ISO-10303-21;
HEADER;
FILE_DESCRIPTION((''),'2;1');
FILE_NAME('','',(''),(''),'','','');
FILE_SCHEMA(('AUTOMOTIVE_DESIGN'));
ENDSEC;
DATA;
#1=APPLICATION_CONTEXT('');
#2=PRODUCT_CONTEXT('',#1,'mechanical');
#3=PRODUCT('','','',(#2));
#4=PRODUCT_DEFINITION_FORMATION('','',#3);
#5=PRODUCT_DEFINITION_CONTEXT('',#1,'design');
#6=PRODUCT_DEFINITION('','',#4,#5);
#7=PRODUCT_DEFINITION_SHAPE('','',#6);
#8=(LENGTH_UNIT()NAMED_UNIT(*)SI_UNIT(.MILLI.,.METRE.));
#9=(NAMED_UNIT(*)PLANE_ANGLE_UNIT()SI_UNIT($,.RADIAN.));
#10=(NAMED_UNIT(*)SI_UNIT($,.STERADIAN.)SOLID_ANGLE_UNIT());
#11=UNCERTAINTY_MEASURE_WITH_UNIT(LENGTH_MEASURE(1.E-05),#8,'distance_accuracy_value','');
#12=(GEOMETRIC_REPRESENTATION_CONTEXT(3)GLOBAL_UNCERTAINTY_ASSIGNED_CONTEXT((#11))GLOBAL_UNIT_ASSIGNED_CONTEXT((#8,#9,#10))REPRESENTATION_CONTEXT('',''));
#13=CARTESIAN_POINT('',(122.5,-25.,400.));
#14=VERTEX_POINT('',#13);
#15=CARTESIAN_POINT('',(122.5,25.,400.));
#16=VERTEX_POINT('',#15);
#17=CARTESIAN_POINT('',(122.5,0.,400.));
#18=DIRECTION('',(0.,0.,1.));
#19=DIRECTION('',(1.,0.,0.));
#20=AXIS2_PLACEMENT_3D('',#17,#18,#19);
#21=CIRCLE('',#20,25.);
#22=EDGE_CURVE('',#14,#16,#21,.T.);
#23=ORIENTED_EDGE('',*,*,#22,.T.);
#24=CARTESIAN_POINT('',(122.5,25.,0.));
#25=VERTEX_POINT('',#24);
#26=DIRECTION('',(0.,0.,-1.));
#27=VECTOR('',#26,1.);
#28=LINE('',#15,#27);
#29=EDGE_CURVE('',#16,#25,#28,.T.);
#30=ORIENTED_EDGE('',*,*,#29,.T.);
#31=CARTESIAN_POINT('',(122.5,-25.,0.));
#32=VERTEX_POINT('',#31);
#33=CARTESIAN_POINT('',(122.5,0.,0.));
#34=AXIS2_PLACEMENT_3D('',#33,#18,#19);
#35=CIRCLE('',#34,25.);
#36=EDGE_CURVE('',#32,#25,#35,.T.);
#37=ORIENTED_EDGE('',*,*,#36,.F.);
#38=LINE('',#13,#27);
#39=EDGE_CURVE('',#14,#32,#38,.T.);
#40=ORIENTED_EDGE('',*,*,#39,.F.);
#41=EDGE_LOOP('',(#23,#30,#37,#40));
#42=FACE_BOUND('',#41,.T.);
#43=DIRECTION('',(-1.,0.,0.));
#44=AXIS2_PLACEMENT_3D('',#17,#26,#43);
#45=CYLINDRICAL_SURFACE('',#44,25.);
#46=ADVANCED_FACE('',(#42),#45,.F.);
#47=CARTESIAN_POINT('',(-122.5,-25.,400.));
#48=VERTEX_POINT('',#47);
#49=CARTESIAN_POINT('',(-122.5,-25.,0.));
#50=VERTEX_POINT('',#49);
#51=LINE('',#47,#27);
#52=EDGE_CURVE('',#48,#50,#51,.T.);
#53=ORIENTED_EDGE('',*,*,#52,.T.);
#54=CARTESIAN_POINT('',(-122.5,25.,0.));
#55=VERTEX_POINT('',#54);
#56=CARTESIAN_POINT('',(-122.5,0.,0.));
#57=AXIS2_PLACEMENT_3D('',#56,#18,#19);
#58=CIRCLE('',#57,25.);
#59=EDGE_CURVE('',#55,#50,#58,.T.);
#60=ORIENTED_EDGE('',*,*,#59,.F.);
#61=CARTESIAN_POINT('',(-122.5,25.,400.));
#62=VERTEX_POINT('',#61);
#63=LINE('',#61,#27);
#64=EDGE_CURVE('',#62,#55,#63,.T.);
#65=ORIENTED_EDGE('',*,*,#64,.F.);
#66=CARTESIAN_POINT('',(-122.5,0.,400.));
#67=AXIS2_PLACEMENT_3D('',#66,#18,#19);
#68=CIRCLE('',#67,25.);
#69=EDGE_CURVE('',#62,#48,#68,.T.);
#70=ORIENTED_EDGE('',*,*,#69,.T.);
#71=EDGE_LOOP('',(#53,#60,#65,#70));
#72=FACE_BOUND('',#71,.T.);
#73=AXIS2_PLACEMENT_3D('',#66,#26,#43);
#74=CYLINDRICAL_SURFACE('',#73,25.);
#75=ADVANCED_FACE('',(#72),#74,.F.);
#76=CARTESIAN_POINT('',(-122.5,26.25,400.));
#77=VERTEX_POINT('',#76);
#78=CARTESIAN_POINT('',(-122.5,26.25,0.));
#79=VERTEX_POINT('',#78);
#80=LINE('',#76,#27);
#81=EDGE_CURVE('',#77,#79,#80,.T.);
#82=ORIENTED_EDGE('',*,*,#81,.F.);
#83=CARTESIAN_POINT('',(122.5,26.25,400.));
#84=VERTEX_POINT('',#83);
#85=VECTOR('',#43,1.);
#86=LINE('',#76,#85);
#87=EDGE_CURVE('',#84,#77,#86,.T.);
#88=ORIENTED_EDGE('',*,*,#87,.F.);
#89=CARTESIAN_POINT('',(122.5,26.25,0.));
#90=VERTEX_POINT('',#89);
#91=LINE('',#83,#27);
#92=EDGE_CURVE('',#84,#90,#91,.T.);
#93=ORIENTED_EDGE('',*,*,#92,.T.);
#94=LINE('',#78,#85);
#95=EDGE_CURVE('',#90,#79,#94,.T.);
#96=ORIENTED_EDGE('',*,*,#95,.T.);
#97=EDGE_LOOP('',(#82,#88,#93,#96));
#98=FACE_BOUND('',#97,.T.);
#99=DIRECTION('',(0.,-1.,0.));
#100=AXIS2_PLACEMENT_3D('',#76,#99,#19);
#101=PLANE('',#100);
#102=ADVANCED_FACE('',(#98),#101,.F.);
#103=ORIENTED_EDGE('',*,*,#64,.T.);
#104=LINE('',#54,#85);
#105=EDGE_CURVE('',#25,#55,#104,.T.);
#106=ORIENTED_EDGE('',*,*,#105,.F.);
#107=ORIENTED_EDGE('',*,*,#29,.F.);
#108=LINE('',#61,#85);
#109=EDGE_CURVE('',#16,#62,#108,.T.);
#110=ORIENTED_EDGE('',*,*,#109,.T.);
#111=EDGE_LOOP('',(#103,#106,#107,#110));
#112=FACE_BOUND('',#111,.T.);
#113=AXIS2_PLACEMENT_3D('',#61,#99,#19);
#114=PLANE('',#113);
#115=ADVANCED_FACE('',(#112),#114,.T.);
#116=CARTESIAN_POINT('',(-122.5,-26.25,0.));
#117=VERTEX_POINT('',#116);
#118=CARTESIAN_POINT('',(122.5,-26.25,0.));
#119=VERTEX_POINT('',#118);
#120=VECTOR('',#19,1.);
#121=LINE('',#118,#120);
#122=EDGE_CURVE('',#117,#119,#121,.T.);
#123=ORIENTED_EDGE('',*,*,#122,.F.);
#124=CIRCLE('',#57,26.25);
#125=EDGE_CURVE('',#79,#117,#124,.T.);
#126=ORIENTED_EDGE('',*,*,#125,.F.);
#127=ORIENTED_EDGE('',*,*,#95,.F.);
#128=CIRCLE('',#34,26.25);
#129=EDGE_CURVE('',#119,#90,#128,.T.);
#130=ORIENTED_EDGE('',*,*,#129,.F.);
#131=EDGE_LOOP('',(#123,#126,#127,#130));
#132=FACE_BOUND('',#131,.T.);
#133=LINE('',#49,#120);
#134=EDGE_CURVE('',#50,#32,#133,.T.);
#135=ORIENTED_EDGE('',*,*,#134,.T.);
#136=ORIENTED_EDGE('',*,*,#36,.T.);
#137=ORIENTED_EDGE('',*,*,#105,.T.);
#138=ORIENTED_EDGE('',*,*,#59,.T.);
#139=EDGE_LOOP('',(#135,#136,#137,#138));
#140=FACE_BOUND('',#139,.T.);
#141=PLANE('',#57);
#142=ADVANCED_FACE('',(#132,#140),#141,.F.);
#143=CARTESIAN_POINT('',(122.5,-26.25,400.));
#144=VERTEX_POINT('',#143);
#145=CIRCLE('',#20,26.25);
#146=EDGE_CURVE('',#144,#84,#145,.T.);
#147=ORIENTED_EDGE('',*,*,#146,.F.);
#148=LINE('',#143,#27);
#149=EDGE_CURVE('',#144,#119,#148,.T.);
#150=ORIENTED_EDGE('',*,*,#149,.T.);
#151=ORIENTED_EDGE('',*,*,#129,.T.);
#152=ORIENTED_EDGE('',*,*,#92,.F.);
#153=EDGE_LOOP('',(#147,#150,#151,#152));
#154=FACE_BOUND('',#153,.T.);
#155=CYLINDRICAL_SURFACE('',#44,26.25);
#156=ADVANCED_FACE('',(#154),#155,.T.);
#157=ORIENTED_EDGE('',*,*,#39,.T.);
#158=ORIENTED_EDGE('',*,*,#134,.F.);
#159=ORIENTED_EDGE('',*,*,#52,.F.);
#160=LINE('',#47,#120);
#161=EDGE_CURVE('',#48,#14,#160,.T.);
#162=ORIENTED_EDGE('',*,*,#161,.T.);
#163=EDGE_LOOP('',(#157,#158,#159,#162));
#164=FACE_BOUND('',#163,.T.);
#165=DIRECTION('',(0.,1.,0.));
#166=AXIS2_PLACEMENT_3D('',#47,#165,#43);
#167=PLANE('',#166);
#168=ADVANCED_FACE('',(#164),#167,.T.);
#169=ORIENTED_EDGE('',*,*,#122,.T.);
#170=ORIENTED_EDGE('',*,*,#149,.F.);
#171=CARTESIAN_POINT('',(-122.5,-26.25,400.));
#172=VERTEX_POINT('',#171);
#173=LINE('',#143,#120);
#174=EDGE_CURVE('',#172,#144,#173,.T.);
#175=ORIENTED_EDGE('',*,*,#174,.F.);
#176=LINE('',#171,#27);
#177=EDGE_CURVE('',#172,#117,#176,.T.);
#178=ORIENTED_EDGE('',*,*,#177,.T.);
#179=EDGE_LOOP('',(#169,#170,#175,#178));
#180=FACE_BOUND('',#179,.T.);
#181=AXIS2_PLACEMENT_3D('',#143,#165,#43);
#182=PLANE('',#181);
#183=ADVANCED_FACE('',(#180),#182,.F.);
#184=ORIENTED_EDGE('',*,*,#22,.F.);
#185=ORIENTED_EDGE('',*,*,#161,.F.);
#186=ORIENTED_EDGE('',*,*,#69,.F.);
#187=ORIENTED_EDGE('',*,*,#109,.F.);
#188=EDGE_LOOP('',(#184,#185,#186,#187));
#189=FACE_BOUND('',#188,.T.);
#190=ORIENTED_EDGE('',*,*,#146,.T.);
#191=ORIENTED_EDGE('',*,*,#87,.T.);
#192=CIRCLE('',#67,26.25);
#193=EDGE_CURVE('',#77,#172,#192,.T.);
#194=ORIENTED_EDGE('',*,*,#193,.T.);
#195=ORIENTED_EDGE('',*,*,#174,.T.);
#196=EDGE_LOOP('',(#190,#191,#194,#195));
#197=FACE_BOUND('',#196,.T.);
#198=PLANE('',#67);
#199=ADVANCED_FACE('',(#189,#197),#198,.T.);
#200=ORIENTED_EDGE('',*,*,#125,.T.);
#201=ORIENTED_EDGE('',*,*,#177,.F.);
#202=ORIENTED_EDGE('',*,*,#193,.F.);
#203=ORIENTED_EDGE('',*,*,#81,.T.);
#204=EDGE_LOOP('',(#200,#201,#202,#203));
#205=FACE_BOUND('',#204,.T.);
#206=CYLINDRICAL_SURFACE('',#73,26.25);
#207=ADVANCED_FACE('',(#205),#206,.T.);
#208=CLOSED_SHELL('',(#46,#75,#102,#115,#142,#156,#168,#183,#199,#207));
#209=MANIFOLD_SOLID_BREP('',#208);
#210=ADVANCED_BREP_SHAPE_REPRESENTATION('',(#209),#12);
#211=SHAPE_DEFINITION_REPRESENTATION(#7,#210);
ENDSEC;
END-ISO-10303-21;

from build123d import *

# Parameters (mm, degrees)
SALIENTE_EXTRUIR2_DEPTH = 400


with BuildPart() as part:
    # Croquis1 → Saliente-Extruir2 (new body)
    with BuildSketch(Plane.XY):
        with BuildLine():
            Line((-122.5, 26.25), (122.5, 26.25))
            ThreePointArc((122.5, 26.25), (148.75, 0), (122.5, -26.25))
            Line((122.5, -26.25), (-122.5, -26.25))
            ThreePointArc((-122.5, -26.25), (-148.75, 0), (-122.5, 26.25))
        make_face()
        with BuildLine():
            Line((-122.5, 25), (122.5, 25))
            ThreePointArc((122.5, 25), (147.5, 0), (122.5, -25))
            Line((122.5, -25), (-122.5, -25))
            ThreePointArc((-122.5, -25), (-147.5, 0), (-122.5, 25))
        make_face(mode=Mode.SUBTRACT)
    extrude(amount=SALIENTE_EXTRUIR2_DEPTH)


solid = part.part
